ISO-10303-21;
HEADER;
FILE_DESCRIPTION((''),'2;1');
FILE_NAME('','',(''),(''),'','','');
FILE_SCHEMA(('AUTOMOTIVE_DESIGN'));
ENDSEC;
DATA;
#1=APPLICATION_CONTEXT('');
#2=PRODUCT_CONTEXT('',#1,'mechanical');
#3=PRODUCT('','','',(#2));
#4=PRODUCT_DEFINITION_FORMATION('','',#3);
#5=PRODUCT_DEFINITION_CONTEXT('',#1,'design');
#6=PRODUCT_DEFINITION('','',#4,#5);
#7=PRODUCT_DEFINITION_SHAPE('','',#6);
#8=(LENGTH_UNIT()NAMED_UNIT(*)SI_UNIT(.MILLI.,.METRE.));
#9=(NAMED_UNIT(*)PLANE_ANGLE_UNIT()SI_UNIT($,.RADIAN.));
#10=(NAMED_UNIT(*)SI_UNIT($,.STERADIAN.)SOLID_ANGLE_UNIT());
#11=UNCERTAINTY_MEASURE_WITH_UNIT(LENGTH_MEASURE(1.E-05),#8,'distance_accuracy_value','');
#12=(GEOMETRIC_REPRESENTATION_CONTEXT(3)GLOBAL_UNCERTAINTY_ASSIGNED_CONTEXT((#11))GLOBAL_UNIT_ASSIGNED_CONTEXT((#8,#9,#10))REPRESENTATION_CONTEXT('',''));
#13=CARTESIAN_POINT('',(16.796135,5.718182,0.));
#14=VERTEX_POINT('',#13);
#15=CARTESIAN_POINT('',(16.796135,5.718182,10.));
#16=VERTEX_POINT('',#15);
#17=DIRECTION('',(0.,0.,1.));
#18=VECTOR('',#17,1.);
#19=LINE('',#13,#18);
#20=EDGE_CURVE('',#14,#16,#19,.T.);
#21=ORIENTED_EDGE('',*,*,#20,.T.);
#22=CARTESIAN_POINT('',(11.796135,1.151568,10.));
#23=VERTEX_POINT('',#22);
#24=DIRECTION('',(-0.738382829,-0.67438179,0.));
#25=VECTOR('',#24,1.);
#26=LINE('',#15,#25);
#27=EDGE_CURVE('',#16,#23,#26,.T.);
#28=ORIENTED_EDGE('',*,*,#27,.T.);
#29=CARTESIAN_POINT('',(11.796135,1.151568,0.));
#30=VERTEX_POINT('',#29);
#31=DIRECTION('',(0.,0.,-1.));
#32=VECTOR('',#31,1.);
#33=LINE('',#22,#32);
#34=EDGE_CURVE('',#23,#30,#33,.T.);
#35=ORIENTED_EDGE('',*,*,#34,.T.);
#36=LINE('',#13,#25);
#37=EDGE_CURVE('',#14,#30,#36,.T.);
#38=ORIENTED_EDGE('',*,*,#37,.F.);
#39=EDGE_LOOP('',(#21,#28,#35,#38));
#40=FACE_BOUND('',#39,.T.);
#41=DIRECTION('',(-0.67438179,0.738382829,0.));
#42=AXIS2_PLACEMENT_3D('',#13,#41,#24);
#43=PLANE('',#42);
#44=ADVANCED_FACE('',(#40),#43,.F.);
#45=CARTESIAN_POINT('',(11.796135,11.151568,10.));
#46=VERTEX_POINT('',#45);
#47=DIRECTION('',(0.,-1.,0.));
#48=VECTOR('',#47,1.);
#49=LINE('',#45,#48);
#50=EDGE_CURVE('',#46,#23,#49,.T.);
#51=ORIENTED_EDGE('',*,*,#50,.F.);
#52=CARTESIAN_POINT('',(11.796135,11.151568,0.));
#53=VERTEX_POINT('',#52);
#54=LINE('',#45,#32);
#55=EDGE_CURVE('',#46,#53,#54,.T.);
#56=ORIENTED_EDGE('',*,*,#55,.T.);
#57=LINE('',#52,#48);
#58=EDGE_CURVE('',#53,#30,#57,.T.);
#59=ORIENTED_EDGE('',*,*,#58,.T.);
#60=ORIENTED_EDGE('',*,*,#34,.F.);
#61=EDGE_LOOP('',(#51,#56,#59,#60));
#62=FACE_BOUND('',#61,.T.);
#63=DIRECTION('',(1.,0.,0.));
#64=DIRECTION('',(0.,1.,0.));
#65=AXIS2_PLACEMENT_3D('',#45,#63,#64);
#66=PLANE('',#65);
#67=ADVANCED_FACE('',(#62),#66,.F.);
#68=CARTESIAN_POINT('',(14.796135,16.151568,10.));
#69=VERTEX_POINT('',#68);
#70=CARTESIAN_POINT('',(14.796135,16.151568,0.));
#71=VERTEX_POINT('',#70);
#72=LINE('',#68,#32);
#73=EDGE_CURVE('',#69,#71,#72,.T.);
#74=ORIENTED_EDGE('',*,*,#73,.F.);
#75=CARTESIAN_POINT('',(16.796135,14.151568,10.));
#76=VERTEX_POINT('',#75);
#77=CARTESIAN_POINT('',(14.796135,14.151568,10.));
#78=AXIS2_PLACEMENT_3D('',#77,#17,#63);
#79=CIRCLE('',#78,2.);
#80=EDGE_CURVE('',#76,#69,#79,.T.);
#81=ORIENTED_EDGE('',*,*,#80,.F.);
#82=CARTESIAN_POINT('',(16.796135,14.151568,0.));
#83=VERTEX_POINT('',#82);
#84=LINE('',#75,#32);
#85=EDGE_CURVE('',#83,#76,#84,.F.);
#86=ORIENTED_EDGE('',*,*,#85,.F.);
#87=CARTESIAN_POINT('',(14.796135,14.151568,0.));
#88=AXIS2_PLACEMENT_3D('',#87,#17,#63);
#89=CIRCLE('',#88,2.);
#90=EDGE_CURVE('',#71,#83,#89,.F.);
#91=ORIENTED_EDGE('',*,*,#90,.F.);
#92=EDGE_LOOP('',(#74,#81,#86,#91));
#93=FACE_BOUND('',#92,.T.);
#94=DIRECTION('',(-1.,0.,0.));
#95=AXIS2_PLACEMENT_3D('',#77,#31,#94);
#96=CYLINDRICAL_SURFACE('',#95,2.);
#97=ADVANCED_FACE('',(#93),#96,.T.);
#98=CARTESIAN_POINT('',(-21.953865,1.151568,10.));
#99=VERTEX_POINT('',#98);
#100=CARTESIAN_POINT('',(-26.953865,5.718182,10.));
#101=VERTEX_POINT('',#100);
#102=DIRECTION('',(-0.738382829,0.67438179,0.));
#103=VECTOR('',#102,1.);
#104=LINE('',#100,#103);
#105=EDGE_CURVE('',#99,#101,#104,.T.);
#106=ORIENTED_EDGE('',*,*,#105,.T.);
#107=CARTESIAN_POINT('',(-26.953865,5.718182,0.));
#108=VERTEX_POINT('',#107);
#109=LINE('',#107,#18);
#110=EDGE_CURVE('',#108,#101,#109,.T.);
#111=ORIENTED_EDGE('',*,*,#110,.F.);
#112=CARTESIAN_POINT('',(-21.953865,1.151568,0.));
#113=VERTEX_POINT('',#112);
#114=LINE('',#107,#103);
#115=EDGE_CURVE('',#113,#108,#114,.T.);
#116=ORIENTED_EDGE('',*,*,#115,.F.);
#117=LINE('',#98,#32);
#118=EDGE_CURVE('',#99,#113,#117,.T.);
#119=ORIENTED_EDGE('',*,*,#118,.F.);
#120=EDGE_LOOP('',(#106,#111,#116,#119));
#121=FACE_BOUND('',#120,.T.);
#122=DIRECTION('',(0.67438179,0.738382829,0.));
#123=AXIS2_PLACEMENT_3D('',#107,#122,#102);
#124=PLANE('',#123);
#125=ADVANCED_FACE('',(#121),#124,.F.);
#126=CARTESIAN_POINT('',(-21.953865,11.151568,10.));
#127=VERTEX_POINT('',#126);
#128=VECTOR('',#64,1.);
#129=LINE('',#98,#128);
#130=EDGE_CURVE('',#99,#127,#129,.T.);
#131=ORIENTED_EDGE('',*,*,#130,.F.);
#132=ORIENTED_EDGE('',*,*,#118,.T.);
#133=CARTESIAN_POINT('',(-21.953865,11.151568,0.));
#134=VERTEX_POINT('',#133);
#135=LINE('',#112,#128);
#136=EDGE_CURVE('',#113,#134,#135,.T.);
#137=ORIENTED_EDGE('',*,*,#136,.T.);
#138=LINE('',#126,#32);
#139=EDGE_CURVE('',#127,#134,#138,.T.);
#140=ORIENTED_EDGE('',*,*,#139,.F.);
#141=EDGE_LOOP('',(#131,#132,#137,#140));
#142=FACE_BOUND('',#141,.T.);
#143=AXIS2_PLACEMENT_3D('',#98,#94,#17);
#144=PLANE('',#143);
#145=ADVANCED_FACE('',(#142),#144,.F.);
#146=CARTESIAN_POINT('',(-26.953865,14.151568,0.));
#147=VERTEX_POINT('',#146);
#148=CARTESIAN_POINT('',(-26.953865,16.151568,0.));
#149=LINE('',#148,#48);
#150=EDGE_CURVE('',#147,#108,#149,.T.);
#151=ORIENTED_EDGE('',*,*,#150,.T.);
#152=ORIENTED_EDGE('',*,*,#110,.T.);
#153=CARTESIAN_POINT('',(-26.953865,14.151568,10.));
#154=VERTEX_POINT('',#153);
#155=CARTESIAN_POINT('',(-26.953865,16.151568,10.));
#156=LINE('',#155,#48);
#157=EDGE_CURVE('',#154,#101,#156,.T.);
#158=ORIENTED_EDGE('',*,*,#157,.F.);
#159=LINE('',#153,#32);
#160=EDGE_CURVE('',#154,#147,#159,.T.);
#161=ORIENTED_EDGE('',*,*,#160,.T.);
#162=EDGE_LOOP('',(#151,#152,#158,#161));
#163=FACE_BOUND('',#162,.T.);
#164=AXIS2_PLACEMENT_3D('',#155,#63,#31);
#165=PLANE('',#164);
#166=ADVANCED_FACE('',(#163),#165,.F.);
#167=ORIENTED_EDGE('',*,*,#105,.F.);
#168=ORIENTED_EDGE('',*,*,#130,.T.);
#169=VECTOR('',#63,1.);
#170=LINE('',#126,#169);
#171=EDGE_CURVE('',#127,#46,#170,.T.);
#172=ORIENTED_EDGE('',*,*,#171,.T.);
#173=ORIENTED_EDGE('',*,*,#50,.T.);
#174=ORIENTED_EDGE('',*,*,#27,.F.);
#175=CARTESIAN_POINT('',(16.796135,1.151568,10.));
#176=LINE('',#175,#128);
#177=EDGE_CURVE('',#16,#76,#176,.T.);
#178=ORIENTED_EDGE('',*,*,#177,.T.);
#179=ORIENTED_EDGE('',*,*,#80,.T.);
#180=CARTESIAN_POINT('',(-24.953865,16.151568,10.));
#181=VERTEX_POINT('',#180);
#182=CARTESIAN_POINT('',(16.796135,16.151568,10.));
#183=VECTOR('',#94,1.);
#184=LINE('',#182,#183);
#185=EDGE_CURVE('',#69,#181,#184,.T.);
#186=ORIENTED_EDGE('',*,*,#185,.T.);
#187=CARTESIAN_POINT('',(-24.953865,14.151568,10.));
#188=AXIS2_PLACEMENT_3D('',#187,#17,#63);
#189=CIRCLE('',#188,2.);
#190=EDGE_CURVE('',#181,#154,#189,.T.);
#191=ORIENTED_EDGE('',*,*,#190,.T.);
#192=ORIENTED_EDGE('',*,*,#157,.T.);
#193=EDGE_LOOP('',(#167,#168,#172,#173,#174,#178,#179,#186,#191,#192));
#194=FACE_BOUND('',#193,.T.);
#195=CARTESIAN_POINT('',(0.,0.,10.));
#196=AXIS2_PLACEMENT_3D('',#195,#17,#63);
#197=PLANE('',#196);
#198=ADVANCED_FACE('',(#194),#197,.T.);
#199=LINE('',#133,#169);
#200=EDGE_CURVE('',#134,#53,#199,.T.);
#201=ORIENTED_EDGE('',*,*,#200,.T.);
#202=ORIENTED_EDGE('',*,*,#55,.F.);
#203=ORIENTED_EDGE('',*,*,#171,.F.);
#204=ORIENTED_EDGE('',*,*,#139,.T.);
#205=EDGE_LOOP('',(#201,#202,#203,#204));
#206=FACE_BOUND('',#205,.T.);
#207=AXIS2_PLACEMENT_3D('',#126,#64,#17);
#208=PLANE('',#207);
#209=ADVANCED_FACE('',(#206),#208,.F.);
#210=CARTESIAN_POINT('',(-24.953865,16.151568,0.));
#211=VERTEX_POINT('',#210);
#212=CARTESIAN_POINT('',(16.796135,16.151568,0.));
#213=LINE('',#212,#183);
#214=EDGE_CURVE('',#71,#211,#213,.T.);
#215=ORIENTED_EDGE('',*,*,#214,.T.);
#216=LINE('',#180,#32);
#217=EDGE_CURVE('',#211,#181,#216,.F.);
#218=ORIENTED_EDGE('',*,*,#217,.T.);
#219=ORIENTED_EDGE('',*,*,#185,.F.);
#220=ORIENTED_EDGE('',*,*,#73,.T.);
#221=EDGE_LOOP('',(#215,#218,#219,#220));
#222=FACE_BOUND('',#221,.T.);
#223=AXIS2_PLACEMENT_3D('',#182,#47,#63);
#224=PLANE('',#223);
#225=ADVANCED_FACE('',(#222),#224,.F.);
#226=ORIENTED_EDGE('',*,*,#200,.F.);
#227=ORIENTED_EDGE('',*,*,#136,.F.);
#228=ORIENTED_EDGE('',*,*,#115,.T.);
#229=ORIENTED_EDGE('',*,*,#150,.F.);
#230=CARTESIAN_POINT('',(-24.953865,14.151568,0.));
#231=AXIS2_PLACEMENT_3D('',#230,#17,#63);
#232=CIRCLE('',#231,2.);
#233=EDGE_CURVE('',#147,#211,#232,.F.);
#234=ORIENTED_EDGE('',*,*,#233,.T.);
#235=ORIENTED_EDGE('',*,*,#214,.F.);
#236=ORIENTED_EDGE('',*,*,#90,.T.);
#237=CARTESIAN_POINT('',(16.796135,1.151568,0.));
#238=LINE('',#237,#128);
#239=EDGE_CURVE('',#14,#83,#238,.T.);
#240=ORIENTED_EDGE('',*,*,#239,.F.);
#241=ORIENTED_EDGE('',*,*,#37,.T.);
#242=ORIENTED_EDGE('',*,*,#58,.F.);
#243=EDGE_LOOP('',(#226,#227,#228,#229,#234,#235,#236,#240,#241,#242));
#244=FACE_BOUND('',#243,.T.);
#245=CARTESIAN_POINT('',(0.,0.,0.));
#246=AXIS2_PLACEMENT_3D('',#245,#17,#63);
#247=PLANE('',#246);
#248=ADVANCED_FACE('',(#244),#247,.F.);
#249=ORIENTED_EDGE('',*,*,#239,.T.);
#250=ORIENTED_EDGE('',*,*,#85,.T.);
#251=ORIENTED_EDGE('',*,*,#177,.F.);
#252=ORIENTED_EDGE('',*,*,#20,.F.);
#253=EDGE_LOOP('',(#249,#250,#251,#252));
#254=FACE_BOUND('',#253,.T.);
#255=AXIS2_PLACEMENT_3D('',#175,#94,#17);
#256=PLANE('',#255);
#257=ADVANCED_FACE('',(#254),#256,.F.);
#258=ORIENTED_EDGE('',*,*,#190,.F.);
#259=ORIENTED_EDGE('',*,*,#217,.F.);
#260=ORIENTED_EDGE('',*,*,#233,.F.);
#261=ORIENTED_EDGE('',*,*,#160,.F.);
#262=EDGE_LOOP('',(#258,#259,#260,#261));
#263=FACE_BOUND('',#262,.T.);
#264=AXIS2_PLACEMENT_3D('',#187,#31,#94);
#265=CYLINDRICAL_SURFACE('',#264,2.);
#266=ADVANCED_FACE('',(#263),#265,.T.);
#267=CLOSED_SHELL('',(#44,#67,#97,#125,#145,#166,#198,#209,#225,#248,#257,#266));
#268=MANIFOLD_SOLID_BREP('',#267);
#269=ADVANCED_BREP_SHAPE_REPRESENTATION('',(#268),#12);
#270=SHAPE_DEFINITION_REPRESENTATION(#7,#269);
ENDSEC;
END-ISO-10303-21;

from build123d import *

# Parameters (mm, degrees)
EXTRUDE_1_DEPTH     = 10
FILLET_1_R          = 2
CUT_EXTRUDE_1_DEPTH = 11
CUT_EXTRUDE_2_DEPTH = 11


with BuildPart() as part:
    # 草图1 → 凸台-拉伸1 (new body)
    with BuildSketch(Plane.XY):
        Polygon((-26.953865184, 1.151568381), (-21.953865184, 1.151568381), (-21.953865184, 11.151568381), (11.796134816, 11.151568381), (11.796134816, 1.151568381), (16.796134816, 1.151568381), (16.796134816, 16.151568381), (-26.953865184, 16.151568381), align=None)
    extrude(amount=EXTRUDE_1_DEPTH)

    # 圆角1
    fillet_1_edges = [part.edges().sort_by_distance(p)[0] for p in [
        (-26.953865184, 16.151568381, 5),
        (16.796134816, 16.151568381, 5),
    ]]
    fillet(fillet_1_edges, radius=FILLET_1_R)

    # 草图2 → 切除-拉伸1 (cut, through all)
    with BuildSketch(Plane.XY.offset(10)):
        Polygon((-26.953865184, 1.151568381), (-21.953865184, 1.151568381), (-26.953865184, 5.718181818), align=None)
    extrude(amount=-CUT_EXTRUDE_1_DEPTH, mode=Mode.SUBTRACT)

    # 草图3 → 切除-拉伸2 (cut, through all)
    with BuildSketch(Plane.XY.offset(10)):
        Polygon((16.796134816, 5.718181818), (11.796134816, 1.151568381), (16.796134816, 1.151568381), align=None)
    extrude(amount=-CUT_EXTRUDE_2_DEPTH, mode=Mode.SUBTRACT)


solid = part.part
